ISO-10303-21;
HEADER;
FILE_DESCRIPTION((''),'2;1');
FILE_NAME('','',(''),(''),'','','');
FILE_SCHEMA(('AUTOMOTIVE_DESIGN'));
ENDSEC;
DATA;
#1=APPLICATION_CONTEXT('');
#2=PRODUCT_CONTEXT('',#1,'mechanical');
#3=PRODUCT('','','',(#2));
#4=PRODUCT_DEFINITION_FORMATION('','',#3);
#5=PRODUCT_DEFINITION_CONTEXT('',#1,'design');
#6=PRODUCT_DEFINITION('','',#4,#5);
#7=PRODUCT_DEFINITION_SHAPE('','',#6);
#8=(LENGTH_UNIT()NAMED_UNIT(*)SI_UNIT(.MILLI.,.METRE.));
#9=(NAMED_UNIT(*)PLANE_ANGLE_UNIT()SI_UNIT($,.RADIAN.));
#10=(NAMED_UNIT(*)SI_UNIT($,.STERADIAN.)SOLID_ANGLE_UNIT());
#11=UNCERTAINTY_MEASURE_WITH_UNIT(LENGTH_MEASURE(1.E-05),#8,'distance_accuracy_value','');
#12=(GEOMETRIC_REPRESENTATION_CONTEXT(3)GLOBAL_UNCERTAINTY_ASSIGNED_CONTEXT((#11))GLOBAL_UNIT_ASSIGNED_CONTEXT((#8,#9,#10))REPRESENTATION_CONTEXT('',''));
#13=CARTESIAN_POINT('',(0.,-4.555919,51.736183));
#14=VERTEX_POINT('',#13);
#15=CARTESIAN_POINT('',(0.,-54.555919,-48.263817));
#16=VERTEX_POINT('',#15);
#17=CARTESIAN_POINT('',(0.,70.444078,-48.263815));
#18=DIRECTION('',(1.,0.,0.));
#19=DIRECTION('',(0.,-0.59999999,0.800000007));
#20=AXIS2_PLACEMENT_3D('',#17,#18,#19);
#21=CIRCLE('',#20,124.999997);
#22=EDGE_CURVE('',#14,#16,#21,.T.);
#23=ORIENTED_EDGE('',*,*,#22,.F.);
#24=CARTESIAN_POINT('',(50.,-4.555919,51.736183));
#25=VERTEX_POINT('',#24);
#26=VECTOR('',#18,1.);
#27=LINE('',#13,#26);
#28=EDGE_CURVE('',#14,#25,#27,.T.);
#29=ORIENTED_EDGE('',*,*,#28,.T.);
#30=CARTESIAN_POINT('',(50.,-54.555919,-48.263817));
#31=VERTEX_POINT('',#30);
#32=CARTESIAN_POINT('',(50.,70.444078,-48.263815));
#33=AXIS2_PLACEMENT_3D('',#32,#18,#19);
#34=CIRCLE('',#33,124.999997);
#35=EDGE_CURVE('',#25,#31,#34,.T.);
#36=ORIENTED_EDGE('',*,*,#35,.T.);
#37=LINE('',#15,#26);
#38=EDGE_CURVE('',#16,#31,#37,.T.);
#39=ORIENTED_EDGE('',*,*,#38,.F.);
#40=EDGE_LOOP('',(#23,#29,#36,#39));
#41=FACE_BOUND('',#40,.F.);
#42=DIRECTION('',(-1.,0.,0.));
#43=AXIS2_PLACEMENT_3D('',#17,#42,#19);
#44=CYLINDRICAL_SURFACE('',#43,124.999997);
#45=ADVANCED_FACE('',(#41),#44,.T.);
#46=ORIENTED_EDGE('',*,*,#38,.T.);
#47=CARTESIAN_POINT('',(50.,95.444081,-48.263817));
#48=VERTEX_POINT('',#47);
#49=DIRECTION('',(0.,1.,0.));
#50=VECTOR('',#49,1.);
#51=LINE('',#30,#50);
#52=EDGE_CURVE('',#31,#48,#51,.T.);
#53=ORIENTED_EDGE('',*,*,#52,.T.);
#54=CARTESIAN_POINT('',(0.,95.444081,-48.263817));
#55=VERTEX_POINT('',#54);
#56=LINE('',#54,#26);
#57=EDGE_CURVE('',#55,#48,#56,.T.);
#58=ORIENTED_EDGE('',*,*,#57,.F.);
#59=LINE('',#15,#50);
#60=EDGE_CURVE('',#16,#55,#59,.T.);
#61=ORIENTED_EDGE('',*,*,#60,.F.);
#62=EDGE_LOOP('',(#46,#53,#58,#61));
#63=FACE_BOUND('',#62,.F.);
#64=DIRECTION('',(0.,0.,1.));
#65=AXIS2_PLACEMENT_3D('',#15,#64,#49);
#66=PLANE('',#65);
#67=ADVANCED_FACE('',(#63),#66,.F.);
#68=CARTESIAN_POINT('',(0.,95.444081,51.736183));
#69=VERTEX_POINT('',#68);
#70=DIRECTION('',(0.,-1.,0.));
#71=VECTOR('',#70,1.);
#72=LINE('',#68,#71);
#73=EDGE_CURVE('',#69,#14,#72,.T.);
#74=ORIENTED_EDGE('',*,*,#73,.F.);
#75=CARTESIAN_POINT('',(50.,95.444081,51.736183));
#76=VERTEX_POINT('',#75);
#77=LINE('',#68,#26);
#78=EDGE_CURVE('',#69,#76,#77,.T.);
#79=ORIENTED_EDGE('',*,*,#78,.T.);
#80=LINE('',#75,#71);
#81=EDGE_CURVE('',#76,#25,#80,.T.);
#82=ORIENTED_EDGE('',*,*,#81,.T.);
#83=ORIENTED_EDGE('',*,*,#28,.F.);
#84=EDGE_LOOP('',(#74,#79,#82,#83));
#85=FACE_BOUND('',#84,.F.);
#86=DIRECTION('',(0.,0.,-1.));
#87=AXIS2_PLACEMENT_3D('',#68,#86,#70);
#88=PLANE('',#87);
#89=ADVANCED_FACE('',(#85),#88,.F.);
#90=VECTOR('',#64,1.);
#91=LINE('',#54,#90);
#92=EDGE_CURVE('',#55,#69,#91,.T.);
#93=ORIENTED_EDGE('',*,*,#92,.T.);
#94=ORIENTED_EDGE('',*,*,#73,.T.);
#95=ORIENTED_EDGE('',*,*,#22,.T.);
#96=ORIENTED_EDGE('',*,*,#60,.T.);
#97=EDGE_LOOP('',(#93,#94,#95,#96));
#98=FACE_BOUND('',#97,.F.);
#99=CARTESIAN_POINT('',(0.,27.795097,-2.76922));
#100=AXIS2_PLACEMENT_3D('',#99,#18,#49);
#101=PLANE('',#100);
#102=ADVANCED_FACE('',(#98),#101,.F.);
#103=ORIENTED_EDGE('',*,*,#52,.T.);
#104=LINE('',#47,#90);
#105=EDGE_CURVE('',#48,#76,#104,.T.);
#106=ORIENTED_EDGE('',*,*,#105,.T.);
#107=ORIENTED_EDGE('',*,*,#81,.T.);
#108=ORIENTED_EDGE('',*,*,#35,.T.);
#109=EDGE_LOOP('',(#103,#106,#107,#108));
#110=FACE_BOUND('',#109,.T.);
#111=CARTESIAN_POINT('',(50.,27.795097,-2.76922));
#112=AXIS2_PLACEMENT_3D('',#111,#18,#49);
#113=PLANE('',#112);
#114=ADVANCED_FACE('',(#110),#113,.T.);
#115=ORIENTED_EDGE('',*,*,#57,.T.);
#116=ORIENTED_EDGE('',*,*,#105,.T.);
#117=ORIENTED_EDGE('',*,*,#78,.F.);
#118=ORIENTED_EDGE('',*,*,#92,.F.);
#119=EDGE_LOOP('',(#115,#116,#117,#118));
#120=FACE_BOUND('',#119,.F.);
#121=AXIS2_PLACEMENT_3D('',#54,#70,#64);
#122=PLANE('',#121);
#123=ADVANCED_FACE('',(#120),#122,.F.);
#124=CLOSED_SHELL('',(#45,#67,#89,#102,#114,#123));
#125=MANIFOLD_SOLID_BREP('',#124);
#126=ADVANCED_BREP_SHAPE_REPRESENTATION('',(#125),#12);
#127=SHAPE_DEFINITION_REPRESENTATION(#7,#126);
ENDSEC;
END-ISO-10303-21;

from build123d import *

# Parameters (mm, degrees)
F1_DEPTH = 50


with BuildPart() as f1:
    # F0 (on Right) → F1 (new body)
    with BuildSketch(Plane.YZ):
        with BuildLine():
            Line((95.444081, 51.736183), (-4.555919, 51.736183))
            ThreePointArc((-4.555919, 51.736183), (-41.359318, 7.637883), (-54.555919, -48.263817))
            Line((-54.555919, -48.263817), (95.444081, -48.263817))
            Line((95.444081, -48.263817), (95.444081, 51.736183))
        make_face()
    extrude(amount=F1_DEPTH)


solid = f1.part
